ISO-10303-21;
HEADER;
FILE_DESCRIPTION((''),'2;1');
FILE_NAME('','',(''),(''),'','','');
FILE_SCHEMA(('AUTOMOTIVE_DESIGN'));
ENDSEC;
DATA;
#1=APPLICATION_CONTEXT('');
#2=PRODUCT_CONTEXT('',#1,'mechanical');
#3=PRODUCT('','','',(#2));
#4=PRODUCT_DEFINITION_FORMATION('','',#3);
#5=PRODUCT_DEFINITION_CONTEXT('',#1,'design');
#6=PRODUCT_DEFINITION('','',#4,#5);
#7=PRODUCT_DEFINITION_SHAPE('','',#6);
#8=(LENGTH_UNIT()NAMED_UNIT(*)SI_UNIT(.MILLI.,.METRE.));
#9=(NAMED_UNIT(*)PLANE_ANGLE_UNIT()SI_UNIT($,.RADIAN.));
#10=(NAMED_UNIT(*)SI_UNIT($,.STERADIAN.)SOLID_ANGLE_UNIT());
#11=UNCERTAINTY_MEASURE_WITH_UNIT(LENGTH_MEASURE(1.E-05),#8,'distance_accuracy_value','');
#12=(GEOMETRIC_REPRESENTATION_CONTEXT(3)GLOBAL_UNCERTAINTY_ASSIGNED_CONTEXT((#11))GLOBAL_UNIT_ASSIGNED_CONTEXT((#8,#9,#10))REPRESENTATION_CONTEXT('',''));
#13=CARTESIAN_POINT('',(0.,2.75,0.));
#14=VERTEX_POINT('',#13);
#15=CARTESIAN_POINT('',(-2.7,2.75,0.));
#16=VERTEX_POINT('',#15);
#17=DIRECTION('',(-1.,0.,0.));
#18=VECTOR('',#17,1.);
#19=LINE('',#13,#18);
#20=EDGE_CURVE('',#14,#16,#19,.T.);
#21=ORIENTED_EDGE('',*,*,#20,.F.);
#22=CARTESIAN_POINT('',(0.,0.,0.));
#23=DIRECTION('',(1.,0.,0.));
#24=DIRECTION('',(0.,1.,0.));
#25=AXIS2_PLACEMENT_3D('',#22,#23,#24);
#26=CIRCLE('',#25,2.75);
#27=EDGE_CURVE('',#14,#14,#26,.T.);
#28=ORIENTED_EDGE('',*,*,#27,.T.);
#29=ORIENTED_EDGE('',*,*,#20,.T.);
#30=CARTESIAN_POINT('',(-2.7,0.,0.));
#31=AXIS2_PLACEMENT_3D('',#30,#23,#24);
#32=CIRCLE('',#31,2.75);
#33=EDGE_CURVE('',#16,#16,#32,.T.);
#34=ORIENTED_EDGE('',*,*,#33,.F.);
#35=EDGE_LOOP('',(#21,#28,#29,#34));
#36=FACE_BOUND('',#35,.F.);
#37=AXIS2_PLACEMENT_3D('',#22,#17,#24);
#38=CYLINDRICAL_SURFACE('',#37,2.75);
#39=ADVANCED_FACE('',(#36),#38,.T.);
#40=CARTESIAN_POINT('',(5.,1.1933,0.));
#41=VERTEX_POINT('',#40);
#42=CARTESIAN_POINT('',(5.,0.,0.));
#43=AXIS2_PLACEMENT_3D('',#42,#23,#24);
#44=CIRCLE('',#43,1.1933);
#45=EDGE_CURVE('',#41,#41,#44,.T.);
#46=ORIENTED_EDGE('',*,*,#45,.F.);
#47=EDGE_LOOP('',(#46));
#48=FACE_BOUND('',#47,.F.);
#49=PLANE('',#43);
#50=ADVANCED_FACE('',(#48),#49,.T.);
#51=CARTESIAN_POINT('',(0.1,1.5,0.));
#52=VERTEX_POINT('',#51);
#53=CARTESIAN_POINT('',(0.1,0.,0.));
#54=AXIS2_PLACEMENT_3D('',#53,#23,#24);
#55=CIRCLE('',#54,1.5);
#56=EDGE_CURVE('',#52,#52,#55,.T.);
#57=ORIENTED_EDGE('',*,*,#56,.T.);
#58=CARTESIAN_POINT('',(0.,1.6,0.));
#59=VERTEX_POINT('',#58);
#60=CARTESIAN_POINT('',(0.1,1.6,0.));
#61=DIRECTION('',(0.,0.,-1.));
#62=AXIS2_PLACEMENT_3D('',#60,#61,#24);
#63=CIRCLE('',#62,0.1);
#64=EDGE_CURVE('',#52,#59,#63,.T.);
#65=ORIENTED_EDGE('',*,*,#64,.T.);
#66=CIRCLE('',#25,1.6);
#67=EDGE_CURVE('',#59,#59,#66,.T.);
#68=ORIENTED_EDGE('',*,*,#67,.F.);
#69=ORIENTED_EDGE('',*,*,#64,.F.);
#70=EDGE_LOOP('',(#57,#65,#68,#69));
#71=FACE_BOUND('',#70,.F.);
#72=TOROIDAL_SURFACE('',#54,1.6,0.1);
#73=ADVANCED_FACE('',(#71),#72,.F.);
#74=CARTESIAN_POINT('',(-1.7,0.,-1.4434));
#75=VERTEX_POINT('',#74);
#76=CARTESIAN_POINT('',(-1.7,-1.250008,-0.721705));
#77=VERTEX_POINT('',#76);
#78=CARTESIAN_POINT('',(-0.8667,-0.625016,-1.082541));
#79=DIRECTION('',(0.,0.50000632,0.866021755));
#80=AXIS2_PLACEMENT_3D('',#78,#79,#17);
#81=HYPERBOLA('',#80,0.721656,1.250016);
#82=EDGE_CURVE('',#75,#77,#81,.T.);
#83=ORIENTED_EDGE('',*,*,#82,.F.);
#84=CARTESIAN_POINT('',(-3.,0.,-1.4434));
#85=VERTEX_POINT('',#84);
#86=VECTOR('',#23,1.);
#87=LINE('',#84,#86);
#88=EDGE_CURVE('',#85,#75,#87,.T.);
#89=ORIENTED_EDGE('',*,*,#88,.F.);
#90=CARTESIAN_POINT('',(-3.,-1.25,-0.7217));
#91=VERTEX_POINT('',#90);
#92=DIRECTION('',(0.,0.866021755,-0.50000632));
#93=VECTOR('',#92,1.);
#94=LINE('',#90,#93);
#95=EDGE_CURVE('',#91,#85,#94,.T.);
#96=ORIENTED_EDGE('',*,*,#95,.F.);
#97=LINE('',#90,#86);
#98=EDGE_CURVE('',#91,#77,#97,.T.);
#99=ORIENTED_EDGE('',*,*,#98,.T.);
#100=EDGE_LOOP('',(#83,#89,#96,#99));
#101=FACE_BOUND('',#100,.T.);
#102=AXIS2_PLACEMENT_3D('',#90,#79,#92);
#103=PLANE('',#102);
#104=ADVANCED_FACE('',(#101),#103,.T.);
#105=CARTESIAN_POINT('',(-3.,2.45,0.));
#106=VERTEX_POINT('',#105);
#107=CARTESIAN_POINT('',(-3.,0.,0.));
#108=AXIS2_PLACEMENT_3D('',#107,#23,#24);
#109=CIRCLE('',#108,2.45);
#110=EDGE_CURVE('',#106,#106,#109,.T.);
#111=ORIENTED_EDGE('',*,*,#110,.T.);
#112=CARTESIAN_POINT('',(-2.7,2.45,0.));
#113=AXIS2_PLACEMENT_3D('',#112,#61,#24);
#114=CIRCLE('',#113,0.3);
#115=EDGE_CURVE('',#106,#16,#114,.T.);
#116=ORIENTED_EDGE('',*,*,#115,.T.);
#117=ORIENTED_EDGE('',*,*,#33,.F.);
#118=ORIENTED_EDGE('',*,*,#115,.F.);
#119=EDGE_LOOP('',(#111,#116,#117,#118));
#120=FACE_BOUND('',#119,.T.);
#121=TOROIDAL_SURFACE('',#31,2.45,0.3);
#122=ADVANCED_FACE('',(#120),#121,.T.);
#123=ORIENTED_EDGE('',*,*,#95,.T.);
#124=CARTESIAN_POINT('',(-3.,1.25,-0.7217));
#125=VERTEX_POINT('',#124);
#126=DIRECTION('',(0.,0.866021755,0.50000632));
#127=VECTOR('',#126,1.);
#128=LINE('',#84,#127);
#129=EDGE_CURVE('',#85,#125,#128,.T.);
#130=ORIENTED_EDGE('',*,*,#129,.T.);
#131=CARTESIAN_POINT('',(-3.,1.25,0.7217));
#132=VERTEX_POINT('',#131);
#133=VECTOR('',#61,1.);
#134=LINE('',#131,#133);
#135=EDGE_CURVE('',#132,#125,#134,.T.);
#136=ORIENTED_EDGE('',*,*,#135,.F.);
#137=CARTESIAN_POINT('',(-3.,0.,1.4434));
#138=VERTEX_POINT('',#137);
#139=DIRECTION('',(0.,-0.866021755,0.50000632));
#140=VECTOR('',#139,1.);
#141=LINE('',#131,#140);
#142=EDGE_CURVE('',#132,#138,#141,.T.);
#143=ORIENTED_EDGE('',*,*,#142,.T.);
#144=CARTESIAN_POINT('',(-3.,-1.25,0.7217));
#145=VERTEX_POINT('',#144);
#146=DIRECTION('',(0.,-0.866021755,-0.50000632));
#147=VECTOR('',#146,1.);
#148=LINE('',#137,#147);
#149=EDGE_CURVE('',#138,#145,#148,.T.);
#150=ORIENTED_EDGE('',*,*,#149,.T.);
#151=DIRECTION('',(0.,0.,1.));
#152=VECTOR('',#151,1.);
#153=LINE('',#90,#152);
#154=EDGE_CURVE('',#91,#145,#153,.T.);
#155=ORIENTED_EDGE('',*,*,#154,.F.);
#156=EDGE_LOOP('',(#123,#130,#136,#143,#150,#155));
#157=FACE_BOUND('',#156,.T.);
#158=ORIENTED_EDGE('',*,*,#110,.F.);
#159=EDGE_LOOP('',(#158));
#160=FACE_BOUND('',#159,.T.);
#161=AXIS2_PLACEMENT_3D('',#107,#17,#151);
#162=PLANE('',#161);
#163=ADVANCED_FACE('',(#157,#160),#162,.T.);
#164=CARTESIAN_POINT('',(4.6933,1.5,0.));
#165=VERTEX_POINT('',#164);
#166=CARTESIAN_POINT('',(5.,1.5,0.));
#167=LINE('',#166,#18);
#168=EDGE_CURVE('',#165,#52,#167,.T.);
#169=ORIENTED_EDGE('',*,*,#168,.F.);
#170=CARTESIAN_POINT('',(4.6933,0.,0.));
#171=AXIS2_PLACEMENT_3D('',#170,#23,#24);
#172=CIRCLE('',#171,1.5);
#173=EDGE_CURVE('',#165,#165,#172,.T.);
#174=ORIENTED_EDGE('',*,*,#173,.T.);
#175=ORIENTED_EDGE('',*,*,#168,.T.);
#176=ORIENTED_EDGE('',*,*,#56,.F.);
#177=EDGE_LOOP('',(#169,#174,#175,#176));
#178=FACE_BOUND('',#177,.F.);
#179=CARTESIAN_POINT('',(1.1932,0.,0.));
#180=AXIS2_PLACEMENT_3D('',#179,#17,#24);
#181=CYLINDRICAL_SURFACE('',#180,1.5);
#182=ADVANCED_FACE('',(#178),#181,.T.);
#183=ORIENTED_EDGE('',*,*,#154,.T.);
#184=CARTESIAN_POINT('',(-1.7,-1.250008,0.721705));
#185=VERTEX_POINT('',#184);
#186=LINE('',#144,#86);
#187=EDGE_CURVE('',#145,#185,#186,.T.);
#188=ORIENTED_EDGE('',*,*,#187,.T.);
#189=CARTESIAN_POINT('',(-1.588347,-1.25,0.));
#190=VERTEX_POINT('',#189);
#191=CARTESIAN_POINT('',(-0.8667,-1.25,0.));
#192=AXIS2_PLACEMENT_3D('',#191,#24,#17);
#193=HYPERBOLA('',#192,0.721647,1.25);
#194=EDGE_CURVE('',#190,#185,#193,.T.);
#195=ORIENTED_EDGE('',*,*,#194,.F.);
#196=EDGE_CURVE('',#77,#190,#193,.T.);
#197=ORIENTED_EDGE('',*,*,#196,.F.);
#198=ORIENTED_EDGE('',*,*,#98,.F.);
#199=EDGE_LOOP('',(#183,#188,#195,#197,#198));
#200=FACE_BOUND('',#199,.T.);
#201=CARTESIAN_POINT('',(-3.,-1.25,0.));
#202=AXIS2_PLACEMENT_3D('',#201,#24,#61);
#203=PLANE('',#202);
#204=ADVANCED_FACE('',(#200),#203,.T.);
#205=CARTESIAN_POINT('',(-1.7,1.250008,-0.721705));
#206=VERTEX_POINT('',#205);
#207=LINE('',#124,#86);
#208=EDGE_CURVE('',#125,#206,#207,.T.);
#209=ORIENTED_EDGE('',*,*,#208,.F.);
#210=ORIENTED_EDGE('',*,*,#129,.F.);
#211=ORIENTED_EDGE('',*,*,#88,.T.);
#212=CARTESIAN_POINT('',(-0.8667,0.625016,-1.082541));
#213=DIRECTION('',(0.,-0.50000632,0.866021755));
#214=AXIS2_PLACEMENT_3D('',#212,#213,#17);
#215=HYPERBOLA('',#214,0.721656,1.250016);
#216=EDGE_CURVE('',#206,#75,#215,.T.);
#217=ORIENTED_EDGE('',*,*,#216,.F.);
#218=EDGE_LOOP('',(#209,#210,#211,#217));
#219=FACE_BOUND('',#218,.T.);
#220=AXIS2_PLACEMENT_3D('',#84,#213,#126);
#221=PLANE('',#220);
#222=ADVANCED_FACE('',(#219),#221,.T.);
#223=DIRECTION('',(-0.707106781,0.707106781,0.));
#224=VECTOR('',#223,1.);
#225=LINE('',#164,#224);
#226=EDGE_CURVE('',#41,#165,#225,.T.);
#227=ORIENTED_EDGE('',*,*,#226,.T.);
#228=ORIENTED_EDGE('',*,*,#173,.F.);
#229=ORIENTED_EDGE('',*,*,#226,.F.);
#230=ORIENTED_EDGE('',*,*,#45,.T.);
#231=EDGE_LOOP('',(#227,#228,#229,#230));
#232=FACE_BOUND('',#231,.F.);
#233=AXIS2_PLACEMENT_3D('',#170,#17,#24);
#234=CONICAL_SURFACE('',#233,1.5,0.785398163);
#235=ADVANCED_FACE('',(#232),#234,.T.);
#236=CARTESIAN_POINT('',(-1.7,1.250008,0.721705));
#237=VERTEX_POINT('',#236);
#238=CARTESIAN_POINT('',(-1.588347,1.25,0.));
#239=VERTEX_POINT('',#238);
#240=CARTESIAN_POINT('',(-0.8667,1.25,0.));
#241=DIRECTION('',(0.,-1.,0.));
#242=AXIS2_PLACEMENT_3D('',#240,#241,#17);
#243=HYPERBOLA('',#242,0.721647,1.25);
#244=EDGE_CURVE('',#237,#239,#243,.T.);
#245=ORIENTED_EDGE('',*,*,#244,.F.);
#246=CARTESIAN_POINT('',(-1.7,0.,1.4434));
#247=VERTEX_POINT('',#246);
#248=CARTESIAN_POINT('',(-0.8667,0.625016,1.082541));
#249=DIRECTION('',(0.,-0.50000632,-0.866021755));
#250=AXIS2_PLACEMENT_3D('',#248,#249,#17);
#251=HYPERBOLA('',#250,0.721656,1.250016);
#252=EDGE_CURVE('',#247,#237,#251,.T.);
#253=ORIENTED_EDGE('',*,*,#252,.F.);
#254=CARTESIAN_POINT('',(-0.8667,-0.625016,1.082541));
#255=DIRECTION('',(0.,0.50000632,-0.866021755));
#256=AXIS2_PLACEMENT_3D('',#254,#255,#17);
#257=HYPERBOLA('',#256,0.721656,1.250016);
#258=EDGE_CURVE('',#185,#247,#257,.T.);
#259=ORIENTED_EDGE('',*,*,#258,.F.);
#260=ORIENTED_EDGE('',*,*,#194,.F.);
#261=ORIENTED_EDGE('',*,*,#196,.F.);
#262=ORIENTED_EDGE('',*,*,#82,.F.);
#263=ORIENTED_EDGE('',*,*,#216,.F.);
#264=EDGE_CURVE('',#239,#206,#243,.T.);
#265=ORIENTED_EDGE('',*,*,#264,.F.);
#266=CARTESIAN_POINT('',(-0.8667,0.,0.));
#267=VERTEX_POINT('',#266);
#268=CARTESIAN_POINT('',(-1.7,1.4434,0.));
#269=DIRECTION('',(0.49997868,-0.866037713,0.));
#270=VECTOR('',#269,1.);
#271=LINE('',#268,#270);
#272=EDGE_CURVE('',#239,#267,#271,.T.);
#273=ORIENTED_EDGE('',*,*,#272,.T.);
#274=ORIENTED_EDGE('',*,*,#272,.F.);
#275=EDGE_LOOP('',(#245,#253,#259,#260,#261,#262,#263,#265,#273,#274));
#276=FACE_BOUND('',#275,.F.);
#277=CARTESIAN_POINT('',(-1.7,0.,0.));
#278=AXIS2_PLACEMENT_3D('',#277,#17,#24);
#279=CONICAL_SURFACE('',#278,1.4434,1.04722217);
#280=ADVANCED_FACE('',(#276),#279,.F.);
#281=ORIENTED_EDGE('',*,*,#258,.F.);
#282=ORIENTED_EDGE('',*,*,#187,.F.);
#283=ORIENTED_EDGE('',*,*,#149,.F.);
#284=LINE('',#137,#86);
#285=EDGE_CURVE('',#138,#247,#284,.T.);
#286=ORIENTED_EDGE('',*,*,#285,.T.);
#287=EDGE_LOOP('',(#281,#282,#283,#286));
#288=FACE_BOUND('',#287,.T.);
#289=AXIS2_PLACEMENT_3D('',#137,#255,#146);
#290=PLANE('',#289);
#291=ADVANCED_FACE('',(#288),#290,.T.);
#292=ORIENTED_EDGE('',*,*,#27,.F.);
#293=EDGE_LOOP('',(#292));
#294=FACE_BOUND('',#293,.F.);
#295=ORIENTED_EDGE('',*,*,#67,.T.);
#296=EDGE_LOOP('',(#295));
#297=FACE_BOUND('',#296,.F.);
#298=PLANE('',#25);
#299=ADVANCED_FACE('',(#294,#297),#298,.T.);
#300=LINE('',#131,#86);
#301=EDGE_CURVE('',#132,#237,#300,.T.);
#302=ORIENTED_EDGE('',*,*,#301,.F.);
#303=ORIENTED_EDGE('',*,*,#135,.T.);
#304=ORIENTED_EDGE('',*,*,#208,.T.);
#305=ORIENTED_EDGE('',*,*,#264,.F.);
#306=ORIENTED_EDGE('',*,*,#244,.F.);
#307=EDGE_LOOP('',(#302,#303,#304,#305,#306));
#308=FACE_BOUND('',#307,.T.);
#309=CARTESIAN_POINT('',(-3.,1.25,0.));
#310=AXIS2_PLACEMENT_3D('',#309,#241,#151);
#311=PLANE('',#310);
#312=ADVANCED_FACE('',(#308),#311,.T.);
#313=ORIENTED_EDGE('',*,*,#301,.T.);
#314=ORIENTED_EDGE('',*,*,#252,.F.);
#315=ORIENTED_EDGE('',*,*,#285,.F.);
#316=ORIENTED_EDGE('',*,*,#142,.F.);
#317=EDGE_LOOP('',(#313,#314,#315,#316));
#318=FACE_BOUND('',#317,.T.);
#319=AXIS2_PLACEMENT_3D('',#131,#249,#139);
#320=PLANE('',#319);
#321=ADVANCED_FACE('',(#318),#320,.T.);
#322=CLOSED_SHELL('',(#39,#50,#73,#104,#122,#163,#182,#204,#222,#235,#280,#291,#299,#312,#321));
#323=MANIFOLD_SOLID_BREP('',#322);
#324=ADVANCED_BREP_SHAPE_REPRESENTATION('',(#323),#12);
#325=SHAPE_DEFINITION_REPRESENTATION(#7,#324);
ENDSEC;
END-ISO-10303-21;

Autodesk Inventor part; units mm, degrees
ref_plane "YZ Plane" through (0, 0, 0) normal (1, 0, 0) x (0, 1, 0)
ref_plane "XZ Plane" through (0, 0, 0) normal (0, 1, 0) x (-1, 0, 0)
sketch "Szkic1" plane through (0, 0, 0) normal (0, 0, 1) x (1, 0, 0)
  line L0 (-0.8667, 0) -> (5, 0)
  line L1 (5, 0) -> (5, 1.5)
  line L2 (5, 1.5) -> (1.5, 1.5)
  line L3 (1.5, 1.5) -> (1.1932, 1.5)
  line L4 (1.1932, 1.5) -> (0, 1.5)
  line L5 (0, 1.5) -> (0, 2.75)
  line L6 (0, 2.75) -> (-3, 2.75)
  line L7 (-3, 2.75) -> (-3, 1.4434)
  line L8 (-3, 1.4434) -> (-1.7, 1.4434)
  line L9 (-1.7, 1.4434) -> (-0.8667, 0)
  line L10 (-4.6, 0) -> (6.6, 0) projected
  line L11 (0, -0.55) -> (0, 3.3) projected
  line L12 (1.5, 1.5) -> (0, 1.5) construction
  dimension "d1" = 3.5
  dimension "d2" = 0.3068
  dimension "d3" = 3
  dimension "d4" = 1.3
  dimension "d5" = 60
  dimension "d6" = 3
  dimension "d7" = 3
  dimension "d8" = 2.8868
  dimension "d9" = 5.5
  dimension "d26" = 5
revolve "Bryła" add sketch "Szkic1" angle 360 about axis through (-0.8667, 0, 0) along (1, 0, 0)
sketch "Szkic2" plane through (-3, 0, 0) normal (-1, 0, 0) x (0, 0, 1)
  circle A0 centre (0, 0) radius 1.4434 projected
  line L0 (0, -3.85) -> (0, 3.85) projected
  line L1 (-3.85, 0) -> (3.85, 0) projected
  line L2 (1.4434, 0) -> (0.7217, -1.25)
  line L3 (0.7217, -1.25) -> (-0.7217, -1.25)
  line L4 (-0.7217, -1.25) -> (-1.4434, 0)
  line L5 (-1.4434, 0) -> (-0.7217, 1.25)
  line L6 (-0.7217, 1.25) -> (0.7217, 1.25)
  line L7 (0.7217, 1.25) -> (1.4434, 0)
extrude "Szczelina" add sketch "Szkic2" against normal up to next contours L7 A0 | A0 L2 | L6 L0 A0 | A0 L0 L3 | L0 L6 A0 | A0 L3 L0 | L4 A0 | A0 L5
fillet "Zaokrąglenie1" radius 0.3 1 edges at (-3, -2.75, 0)
thread "Gwint" size "M3x0.5" class "6g" standard "ISO Metric profile" length 3.5
chamfer "Faza1" distance 0.3067 distance2 0.3067 1 edges at (5, -1.5, 0) measured on face at (5, -0.2617, -0.7882)
ref_plane "Work Plane1" through (29, 0, 0) normal (0, -1, 0) x (1, 0, 0)
fillet "Fillet2" radius 0.1 1 edges at (0, -1.5, 0)
equation "\"d1\" = GEL"
equation "\"d3\" = KOH"
equation "\"d4\" = INTI"
equation "\"d6\" = GD"
equation "\"d7\" = BDM"
equation "\"d8\" = 1.1547 * SW"
equation "\"d9\" = KOD"
equation "\"d26\" = NLG"
equation "\"d30\" = R"
equation "\"d17\" = RR"
equation "\"d13\" = GEL"
equation "\"d15\" = -0.5 * SPD + 0.5 * GD"
equation "\"d16\" = GUL"
equation "\"GD\" = 3"
equation "\"NLG\" = 5"
equation "\"GEL\" = 3.5"
equation "\"KOD\" = 5.5"
equation "\"KOH\" = 3"
equation "\"INTI\" = 1.3"
equation "\"GAL\" = 0.61345 * PTC"
equation "\"GUL\" = 0.61345 * PTC"
equation "\"BDM\" = NND"
equation "\"SW\" = 2.5"
equation "\"RR\" = 0.3"
equation "\"SPD\" = NND - 1.2269 * PTC"
equation "\"R\" = 0.1"
equation "\"TOA\" = 30deg"
equation "\"GD1\" = THREADDIA - 1.2269 * PTC"
equation "\"THREADDIA\" = 3"
equation "\"FAWI\" = 45deg"
equation "\"PTC\" = 0.5"
equation "\"NND\" = 3"
equation "\"E0\" = 1.155 * SW"
properties part number "ISO 4762  - M3 x 5" material "Stal nierdzewna 440C"
